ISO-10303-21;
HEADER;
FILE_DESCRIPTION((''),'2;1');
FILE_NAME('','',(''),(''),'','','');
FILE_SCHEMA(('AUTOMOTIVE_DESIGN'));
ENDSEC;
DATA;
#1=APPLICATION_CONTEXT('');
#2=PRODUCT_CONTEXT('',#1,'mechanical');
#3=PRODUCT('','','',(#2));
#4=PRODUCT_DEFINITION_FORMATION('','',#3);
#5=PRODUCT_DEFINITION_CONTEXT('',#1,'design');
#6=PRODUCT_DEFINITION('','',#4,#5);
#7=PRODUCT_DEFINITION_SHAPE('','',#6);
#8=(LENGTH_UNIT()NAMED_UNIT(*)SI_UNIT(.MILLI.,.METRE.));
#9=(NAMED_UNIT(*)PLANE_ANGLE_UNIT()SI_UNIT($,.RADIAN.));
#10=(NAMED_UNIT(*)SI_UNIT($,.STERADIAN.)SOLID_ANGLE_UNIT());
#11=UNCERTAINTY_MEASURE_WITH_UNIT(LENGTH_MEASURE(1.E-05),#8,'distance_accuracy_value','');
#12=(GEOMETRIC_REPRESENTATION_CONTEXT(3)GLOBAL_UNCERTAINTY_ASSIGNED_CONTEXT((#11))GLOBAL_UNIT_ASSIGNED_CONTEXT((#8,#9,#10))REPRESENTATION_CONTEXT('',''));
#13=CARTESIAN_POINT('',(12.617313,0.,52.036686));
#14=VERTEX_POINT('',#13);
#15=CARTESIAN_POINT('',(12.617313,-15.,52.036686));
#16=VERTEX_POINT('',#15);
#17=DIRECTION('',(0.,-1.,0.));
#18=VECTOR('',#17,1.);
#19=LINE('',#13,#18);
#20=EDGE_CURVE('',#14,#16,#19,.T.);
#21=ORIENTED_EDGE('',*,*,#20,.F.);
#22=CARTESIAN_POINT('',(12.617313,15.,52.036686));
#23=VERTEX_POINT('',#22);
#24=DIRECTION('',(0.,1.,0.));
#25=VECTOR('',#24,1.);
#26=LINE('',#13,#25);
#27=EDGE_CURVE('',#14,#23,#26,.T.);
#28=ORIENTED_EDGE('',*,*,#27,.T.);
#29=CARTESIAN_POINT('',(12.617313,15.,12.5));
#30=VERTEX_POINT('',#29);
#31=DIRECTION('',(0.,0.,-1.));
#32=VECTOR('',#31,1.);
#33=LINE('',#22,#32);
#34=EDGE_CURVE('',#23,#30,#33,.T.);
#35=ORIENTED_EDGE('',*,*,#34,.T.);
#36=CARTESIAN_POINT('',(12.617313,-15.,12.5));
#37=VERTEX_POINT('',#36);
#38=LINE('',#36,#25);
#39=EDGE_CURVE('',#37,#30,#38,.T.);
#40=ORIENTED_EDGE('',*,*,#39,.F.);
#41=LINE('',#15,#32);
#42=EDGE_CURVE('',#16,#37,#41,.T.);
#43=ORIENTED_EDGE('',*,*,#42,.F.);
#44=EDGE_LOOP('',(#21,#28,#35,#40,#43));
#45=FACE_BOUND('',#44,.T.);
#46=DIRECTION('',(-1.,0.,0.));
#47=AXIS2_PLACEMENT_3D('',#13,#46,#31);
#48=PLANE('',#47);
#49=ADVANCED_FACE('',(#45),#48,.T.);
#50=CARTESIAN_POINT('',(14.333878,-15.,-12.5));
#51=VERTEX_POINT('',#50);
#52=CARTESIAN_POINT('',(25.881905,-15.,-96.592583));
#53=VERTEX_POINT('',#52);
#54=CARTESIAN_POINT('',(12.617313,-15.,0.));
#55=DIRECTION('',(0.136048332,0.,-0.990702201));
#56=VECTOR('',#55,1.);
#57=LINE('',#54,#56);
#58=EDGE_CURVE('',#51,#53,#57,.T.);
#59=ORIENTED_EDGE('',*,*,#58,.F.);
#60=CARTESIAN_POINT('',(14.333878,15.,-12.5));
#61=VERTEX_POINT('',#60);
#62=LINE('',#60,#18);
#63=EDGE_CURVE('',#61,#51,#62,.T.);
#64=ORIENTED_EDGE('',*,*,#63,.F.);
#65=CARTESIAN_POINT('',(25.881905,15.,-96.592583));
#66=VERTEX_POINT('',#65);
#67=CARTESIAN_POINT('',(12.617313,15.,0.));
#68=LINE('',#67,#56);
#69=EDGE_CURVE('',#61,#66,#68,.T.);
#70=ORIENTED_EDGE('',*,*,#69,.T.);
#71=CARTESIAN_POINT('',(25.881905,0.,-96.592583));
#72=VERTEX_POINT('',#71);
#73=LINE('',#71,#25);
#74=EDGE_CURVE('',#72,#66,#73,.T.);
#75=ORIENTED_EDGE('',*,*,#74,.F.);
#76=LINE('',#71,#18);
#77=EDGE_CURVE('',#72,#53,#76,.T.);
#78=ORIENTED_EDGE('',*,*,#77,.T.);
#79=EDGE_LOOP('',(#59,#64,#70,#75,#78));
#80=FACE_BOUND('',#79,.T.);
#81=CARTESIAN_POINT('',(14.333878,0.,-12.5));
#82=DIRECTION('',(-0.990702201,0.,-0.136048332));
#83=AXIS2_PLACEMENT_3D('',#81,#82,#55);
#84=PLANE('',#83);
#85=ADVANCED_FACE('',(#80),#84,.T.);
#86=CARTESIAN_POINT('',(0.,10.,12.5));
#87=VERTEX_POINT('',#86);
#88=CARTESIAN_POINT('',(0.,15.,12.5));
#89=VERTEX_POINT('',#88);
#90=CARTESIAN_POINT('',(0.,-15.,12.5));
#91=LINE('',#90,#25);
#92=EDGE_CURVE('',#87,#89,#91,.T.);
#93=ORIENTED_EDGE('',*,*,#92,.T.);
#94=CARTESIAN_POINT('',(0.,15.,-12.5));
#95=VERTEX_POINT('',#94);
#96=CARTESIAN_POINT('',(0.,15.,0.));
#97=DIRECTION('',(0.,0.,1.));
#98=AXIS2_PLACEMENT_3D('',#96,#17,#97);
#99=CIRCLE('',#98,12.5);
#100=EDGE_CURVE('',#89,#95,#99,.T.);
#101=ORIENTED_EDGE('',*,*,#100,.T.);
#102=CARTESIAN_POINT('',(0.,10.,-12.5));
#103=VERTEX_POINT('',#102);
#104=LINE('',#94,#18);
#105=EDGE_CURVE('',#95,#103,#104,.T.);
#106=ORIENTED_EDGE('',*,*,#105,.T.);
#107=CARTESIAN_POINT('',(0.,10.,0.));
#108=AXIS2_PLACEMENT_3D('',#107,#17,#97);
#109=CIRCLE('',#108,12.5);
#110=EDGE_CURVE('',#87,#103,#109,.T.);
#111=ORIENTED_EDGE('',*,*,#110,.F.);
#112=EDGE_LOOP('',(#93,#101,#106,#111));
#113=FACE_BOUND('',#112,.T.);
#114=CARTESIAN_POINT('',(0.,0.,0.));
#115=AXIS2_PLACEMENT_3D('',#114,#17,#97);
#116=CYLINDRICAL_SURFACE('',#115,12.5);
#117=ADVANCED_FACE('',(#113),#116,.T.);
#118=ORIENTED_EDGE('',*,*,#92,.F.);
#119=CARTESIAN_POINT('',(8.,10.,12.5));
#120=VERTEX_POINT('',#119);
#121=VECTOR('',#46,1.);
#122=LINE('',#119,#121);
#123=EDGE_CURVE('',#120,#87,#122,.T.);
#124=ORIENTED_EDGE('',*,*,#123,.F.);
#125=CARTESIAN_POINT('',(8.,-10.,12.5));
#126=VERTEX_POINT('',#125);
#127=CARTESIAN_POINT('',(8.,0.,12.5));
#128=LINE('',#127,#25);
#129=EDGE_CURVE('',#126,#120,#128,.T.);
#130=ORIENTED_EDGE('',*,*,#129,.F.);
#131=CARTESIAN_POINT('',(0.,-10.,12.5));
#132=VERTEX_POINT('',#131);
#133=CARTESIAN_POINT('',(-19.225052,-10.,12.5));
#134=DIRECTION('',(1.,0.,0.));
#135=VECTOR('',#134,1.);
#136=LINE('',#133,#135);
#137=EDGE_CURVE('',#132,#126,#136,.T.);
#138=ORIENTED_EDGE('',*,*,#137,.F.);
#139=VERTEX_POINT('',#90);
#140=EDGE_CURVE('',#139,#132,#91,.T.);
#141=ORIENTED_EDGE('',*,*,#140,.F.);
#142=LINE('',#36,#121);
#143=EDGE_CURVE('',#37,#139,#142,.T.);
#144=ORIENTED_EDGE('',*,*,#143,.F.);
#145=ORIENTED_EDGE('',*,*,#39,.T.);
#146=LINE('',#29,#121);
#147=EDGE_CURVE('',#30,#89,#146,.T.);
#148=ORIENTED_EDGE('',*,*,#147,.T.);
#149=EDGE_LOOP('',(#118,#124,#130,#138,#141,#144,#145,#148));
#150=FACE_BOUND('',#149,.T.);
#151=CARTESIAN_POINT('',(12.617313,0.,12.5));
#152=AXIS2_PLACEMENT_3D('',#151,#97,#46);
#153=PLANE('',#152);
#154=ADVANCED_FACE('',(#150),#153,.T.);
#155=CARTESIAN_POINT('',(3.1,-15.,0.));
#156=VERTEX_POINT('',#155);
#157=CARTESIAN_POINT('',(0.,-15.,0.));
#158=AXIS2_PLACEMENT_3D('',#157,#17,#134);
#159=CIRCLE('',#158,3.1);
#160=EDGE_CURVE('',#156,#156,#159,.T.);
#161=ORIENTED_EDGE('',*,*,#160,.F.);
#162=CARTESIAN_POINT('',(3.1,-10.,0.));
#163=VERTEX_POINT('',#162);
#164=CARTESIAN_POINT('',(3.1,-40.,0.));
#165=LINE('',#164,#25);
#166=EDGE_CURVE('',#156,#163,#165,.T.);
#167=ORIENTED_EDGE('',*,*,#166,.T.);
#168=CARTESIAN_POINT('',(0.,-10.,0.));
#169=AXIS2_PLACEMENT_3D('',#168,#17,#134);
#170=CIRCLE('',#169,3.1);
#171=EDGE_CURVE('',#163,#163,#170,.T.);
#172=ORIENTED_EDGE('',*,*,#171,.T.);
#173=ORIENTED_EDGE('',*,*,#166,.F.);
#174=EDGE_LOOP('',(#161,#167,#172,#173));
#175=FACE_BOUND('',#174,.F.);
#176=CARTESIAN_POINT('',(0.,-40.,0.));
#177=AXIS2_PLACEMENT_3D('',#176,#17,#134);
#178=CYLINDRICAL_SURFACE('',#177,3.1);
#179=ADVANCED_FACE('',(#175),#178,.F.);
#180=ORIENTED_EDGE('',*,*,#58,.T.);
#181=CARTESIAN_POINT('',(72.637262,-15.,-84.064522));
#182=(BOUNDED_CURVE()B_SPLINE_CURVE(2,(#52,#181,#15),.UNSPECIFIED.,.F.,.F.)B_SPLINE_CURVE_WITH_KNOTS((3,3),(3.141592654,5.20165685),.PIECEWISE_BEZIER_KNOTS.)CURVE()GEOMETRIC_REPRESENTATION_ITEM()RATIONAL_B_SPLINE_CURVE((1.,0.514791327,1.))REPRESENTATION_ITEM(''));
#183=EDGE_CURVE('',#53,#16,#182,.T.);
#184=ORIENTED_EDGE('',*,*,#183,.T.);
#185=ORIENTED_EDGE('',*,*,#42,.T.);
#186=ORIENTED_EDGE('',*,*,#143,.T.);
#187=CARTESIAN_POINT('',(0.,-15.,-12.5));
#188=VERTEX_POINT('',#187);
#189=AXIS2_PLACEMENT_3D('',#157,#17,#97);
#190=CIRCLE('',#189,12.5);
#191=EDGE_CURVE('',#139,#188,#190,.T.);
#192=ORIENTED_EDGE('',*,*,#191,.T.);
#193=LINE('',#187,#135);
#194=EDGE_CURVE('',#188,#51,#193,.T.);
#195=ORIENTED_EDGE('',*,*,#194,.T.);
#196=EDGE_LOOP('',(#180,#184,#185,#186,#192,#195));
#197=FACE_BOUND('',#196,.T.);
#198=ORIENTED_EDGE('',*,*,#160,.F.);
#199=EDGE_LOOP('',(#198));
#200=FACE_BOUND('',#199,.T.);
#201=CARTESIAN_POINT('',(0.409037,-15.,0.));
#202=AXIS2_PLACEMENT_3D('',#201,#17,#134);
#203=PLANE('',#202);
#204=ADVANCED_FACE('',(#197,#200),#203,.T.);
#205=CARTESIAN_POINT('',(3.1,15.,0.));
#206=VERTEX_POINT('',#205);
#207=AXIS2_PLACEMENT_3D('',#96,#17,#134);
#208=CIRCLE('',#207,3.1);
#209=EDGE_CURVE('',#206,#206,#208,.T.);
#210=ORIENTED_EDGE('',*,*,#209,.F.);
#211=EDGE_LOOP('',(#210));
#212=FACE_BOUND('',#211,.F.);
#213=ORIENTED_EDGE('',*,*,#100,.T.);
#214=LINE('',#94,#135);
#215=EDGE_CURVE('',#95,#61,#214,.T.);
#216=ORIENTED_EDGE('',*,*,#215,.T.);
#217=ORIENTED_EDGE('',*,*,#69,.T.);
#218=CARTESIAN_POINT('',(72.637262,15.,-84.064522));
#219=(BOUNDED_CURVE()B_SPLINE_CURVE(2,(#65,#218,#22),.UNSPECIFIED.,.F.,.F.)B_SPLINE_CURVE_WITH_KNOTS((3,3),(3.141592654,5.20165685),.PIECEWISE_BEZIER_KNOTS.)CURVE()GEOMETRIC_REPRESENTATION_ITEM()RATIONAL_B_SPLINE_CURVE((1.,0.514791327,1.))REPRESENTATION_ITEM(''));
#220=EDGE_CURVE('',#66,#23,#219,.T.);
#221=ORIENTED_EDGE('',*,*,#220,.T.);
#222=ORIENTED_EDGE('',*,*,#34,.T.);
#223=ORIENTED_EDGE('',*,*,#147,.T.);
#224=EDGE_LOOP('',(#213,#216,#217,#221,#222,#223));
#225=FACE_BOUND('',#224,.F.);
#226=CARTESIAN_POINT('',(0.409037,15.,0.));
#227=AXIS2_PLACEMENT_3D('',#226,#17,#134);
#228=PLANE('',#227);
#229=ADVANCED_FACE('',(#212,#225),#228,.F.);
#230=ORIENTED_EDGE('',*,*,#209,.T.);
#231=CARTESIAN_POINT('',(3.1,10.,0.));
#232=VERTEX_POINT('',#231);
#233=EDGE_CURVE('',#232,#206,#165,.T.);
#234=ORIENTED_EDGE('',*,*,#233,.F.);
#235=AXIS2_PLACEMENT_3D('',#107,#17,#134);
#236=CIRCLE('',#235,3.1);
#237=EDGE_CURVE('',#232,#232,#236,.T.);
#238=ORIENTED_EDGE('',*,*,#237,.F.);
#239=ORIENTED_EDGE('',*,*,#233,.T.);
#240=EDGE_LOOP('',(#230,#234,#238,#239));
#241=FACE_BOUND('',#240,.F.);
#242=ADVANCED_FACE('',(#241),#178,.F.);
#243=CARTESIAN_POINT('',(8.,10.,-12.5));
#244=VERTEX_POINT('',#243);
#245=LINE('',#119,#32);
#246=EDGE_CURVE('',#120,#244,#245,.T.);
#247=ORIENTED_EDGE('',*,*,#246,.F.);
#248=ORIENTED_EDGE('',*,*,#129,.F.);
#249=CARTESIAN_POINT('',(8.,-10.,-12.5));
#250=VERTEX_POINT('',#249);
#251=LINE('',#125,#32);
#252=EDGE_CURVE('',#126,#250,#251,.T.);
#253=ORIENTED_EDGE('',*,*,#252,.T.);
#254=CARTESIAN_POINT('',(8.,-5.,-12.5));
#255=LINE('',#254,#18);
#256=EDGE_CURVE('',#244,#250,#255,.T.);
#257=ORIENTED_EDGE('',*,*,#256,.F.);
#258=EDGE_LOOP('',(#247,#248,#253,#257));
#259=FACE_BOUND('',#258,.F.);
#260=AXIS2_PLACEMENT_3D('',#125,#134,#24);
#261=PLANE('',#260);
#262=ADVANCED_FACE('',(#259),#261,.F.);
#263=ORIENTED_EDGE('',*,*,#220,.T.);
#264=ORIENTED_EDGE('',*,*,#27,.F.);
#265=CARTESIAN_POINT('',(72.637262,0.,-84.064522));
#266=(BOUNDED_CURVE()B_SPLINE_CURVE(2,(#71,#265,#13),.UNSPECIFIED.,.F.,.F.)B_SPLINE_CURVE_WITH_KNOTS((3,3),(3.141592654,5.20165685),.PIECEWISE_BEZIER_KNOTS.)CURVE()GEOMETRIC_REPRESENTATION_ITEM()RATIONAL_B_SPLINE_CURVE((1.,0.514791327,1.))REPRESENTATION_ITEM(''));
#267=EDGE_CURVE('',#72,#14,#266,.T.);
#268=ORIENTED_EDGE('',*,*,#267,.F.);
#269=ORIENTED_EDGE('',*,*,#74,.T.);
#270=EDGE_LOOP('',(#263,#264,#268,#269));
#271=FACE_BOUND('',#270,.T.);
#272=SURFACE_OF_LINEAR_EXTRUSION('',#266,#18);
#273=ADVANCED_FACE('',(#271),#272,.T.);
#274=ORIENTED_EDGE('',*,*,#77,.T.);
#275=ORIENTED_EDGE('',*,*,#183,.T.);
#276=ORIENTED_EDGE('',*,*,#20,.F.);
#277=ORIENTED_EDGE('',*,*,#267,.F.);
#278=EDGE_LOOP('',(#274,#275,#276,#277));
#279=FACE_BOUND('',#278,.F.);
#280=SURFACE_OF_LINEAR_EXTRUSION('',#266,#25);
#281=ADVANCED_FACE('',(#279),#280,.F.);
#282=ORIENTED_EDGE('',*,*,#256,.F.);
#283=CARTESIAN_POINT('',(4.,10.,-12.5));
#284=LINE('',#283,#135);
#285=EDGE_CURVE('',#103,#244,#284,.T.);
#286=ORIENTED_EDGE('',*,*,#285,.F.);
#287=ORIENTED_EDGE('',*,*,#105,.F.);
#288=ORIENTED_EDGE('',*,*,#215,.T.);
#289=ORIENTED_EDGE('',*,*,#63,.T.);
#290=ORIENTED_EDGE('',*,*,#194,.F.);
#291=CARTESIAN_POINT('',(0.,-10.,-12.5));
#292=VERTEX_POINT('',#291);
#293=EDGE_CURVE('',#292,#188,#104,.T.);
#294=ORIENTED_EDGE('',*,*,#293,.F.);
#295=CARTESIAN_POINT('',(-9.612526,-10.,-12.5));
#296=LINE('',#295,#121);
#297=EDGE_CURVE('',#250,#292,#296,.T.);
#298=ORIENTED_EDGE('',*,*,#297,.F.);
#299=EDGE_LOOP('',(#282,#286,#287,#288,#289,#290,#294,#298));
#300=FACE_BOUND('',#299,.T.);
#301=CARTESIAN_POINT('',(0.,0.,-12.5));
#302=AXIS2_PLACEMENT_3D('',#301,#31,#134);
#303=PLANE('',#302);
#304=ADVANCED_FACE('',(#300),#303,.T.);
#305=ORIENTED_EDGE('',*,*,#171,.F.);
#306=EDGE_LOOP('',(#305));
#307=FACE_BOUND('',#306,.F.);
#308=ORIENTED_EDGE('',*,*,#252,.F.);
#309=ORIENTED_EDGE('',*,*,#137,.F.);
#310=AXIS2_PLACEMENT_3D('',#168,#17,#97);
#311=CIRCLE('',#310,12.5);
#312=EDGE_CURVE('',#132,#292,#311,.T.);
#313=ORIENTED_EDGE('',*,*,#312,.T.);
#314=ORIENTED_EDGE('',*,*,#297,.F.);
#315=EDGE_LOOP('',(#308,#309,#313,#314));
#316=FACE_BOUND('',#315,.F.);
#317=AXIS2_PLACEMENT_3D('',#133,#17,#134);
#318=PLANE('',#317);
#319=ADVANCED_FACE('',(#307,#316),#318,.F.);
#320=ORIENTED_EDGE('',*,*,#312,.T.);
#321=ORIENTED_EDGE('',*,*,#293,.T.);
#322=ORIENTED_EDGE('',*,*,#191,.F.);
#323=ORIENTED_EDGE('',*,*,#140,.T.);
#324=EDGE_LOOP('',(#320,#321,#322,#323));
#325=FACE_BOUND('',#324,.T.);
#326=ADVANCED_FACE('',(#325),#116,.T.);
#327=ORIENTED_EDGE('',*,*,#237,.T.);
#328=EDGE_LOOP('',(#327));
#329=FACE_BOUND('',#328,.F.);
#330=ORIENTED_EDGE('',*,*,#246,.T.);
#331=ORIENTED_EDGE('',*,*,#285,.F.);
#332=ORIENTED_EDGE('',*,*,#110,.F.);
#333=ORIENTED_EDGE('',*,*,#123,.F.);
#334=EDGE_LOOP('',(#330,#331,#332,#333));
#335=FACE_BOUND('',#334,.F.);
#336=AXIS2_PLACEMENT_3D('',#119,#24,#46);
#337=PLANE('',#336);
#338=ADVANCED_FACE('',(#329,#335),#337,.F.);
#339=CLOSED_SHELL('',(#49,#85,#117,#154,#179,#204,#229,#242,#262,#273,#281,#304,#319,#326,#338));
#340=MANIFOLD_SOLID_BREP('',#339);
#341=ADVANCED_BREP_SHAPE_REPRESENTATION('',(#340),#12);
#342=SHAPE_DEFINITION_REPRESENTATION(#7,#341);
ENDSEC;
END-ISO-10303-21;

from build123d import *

# Parameters (mm, degrees)
F1_DEPTH = 15
F2_W     = 19.2250516646
F2_H     = 20
F2_W_2   = 8
F3_DEPTH = 109.0935827289
F4_R     = 3.1
F5_DEPTH = 25
F6_DEPTH = 55.0010001


with BuildPart() as f1:
    # F0 (on Front) → F1 (new body, symmetric)
    with BuildSketch(Plane.XZ):
        with BuildLine():
            ThreePointArc((0, -12.5), (8.8388347648, -8.8388347648), (12.5, 0))
            ThreePointArc((12.5, 0), (8.8388347648, 8.8388347648), (0, 12.5))
            ThreePointArc((0, 12.5), (-12.5, 0), (0, -12.5))
        make_face()
        with BuildLine():
            ThreePointArc((0, 12.5), (8.8388347648, 8.8388347648), (12.5, 0))
            ThreePointArc((12.5, 0), (8.8388347648, -8.8388347648), (0, -12.5))
            Line((0, -12.5), (14.3338776639, -12.5))
            Line((14.3338776639, -12.5), (12.6173132409, 0))
            Line((12.6173132409, 0), (12.6173132409, 12.5))
            Line((12.6173132409, 12.5), (0, 12.5))
        make_face()
        with BuildLine():
            Line((12.6173132409, 52.036685962), (12.6173132409, 12.5))
            Line((12.6173132409, 12.5), (12.6173132409, 0))
            Line((12.6173132409, 0), (14.3338776639, -12.5))
            Line((14.3338776639, -12.5), (25.8819045103, -96.5925826289))
            add(Edge.make_bspline(
                [(25.8819045103, -96.5925826289), (72.6372622036, -84.0645222931), (12.6173132409, 52.036685962)],
                knots=[3.1415926536, 3.1415926536, 3.1415926536, 5.2016568498, 5.2016568498, 5.2016568498], degree=2, weights=[1, 0.514791327, 1]))
        make_face()
    extrude(amount=F1_DEPTH, both=True)

    # F2 (on face) → F3 (cut, through all)
    with BuildSketch(Plane.XY.offset(12.5)):
        with Locations((-9.6125258323, 0)):
            Rectangle(F2_W, F2_H)
        with Locations((4, 0)):
            Rectangle(F2_W_2, F2_H)
    extrude(amount=-F3_DEPTH, mode=Mode.SUBTRACT)

    # F4 (on face) → F5 (join)
    with BuildSketch(Plane.XZ.offset(15)):
        Circle(F4_R)
    extrude(amount=F5_DEPTH)

    # F6 (cut, through all): a face of the model
    f6_faces = [f1.faces().sort_by_distance(p)[0] for p in [
        (0, -40, 0),
    ]]
    extrude(f6_faces, amount=-F6_DEPTH, mode=Mode.SUBTRACT)


solid = f1.part
